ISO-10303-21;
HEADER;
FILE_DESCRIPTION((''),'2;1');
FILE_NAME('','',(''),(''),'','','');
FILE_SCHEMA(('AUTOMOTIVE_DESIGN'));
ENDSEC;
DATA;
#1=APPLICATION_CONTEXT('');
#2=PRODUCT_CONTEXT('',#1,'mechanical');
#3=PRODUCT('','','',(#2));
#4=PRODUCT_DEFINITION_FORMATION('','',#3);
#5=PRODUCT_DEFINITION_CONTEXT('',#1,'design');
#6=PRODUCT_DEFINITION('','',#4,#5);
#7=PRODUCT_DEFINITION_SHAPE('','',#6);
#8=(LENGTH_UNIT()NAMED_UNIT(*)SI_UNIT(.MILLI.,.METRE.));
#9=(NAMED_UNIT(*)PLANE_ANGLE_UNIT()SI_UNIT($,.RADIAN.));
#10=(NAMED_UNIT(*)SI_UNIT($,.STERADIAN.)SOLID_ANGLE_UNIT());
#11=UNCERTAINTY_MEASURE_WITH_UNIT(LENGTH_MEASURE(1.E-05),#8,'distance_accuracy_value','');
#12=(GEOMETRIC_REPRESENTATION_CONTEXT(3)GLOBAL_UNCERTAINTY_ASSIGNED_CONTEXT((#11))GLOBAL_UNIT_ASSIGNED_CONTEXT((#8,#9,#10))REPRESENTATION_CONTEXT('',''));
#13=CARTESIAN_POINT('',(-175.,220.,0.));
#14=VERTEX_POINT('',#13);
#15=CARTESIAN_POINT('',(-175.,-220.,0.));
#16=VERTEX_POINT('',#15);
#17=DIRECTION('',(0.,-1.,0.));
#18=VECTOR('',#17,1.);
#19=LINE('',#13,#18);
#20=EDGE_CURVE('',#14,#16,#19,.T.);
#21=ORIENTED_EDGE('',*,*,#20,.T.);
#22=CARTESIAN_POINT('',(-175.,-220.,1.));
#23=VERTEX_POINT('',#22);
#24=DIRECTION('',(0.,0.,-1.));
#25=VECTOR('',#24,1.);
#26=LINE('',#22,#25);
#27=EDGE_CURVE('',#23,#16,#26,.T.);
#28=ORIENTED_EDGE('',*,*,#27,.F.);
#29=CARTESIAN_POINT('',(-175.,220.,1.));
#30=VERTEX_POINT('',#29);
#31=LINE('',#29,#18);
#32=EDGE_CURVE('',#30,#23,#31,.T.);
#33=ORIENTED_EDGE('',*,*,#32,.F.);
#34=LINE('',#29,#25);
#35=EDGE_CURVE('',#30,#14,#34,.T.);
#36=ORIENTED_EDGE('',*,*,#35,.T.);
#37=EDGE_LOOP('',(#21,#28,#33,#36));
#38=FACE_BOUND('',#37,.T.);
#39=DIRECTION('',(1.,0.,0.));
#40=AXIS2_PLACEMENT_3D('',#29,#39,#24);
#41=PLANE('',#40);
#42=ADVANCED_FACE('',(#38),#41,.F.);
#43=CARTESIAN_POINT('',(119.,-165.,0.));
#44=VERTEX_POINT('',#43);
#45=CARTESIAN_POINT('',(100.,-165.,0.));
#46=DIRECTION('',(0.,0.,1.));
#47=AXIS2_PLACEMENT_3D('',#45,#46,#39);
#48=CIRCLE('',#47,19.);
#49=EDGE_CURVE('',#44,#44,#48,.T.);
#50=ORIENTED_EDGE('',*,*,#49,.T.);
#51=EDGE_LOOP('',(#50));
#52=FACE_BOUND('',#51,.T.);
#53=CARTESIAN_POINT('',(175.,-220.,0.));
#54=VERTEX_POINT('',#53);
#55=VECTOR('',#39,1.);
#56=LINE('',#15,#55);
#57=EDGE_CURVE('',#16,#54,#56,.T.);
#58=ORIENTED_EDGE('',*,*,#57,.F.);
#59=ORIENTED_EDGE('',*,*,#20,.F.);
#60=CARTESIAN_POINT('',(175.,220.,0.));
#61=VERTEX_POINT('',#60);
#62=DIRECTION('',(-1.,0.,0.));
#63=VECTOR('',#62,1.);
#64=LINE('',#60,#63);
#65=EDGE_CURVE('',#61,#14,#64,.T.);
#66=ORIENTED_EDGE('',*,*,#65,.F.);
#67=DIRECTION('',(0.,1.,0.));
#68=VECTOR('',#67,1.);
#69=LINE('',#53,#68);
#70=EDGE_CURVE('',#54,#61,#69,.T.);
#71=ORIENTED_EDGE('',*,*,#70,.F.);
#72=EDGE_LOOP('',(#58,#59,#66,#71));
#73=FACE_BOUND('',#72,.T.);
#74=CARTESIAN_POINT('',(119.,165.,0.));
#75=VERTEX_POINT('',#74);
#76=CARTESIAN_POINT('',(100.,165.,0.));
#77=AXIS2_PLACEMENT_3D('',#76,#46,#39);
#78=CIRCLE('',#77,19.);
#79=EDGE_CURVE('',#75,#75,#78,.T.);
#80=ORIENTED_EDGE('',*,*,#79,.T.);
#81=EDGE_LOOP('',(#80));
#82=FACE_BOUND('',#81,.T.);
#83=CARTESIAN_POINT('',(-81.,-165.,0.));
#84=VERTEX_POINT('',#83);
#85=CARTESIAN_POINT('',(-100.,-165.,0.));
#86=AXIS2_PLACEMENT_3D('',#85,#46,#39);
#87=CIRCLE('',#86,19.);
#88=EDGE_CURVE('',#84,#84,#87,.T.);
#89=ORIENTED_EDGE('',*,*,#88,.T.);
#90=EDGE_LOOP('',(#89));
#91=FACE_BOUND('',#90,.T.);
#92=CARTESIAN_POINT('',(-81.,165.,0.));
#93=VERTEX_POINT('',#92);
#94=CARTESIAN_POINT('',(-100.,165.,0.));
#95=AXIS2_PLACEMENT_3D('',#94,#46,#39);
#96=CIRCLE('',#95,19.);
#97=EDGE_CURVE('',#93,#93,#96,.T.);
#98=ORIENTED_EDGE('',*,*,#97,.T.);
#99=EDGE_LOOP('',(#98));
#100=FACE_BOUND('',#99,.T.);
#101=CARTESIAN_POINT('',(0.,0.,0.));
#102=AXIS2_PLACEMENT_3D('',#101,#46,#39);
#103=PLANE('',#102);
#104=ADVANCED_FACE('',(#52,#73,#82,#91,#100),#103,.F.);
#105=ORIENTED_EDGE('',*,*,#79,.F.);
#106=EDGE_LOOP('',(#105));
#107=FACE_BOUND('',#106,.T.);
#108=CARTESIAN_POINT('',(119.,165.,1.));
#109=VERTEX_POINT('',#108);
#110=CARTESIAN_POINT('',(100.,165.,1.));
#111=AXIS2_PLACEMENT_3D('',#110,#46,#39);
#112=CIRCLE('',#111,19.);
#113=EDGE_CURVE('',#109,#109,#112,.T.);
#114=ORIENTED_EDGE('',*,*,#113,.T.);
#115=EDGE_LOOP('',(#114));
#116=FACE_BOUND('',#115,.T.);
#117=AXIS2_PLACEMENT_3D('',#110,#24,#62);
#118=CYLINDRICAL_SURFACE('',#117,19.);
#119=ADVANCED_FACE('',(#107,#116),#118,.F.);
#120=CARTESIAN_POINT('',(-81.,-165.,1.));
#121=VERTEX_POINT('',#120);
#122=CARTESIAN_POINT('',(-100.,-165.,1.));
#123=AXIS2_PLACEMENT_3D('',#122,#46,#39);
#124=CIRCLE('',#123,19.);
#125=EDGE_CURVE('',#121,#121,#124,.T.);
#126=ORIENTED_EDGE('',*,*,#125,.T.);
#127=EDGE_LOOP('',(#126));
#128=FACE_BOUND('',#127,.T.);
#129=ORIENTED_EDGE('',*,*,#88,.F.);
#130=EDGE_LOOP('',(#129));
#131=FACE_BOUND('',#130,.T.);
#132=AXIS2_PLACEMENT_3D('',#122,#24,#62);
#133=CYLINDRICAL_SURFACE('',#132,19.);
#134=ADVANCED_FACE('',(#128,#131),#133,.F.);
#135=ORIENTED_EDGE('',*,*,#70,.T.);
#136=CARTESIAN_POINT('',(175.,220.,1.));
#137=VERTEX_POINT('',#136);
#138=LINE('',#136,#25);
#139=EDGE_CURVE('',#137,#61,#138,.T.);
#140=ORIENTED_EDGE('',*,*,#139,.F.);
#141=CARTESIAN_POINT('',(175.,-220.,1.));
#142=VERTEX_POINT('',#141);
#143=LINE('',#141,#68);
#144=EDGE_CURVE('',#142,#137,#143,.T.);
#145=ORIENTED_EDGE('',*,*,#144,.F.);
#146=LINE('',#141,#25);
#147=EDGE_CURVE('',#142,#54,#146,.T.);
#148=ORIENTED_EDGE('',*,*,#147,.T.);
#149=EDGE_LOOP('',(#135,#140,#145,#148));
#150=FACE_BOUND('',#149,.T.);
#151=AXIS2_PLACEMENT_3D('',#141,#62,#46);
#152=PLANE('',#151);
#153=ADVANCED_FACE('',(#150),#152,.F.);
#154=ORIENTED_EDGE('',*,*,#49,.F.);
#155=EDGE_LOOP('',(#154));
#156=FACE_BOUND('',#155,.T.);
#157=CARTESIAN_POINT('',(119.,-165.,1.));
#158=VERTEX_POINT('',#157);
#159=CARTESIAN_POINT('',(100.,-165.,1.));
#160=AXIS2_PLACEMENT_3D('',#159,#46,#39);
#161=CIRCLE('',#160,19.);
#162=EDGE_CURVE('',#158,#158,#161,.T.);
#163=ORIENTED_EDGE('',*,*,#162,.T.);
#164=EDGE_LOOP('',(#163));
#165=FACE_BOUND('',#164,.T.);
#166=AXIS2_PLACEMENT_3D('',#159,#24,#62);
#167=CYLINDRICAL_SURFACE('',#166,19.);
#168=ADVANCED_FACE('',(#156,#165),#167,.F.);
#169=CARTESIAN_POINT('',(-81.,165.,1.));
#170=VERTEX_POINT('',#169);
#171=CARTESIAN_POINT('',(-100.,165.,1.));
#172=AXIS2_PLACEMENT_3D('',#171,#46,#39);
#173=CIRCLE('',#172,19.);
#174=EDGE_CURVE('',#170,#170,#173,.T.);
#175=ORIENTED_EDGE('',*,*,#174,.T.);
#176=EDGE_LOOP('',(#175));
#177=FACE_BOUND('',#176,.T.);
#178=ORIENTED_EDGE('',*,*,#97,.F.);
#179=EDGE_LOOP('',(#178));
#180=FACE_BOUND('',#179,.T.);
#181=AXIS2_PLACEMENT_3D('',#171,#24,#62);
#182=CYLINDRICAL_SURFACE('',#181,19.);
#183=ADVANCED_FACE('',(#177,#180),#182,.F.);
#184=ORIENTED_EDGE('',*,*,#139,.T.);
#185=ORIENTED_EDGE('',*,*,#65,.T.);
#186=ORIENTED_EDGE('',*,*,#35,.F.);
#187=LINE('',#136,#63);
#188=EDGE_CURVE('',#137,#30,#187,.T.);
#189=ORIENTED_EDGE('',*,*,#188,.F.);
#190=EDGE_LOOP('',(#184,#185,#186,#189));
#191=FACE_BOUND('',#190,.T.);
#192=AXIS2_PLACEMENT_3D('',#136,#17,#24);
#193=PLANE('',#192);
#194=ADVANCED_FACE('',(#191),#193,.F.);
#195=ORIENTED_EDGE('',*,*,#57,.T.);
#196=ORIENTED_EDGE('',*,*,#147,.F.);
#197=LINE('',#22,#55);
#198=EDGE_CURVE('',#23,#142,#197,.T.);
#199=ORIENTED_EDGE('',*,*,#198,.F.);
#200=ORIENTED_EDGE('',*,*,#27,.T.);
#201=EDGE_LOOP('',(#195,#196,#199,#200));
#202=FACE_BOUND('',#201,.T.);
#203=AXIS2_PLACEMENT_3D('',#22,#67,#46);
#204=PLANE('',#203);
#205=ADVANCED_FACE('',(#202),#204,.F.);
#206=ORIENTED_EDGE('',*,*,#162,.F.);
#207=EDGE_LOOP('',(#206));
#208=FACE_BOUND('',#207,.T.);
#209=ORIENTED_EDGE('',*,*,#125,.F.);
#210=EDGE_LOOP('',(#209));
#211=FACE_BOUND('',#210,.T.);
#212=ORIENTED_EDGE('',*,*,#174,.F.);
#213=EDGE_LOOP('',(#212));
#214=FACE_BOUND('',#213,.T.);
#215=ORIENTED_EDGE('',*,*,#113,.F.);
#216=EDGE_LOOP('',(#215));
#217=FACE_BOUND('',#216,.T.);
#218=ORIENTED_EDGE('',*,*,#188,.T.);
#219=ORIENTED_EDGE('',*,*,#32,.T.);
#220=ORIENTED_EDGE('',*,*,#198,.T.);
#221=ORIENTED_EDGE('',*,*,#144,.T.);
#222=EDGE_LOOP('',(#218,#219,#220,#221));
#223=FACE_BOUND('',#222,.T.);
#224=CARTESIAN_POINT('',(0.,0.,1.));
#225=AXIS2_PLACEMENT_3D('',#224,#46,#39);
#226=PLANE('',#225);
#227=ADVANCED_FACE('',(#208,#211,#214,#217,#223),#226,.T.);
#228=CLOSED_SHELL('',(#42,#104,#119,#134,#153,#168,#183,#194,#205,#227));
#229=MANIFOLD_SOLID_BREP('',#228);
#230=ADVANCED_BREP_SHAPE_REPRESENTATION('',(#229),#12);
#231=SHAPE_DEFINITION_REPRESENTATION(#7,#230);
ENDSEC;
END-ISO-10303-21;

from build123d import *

# Parameters (mm, degrees)
SKETCH_1_W      = 350
SKETCH_1_H      = 440
SKETCH_1_R      = 19
EXTRUDE_1_DEPTH = 1


with BuildPart() as part:
    # Эскиз1 → Бобышка-Вытянуть1 (new body)
    with BuildSketch(Plane.XY):
        Rectangle(SKETCH_1_W, SKETCH_1_H)
        with Locations((-100, 165)):
            Circle(SKETCH_1_R, mode=Mode.SUBTRACT)
        with Locations((100, 165)):
            Circle(SKETCH_1_R, mode=Mode.SUBTRACT)
        with Locations((100, -165)):
            Circle(SKETCH_1_R, mode=Mode.SUBTRACT)
        with Locations((-100, -165)):
            Circle(SKETCH_1_R, mode=Mode.SUBTRACT)
    extrude(amount=EXTRUDE_1_DEPTH)


solid = part.part
